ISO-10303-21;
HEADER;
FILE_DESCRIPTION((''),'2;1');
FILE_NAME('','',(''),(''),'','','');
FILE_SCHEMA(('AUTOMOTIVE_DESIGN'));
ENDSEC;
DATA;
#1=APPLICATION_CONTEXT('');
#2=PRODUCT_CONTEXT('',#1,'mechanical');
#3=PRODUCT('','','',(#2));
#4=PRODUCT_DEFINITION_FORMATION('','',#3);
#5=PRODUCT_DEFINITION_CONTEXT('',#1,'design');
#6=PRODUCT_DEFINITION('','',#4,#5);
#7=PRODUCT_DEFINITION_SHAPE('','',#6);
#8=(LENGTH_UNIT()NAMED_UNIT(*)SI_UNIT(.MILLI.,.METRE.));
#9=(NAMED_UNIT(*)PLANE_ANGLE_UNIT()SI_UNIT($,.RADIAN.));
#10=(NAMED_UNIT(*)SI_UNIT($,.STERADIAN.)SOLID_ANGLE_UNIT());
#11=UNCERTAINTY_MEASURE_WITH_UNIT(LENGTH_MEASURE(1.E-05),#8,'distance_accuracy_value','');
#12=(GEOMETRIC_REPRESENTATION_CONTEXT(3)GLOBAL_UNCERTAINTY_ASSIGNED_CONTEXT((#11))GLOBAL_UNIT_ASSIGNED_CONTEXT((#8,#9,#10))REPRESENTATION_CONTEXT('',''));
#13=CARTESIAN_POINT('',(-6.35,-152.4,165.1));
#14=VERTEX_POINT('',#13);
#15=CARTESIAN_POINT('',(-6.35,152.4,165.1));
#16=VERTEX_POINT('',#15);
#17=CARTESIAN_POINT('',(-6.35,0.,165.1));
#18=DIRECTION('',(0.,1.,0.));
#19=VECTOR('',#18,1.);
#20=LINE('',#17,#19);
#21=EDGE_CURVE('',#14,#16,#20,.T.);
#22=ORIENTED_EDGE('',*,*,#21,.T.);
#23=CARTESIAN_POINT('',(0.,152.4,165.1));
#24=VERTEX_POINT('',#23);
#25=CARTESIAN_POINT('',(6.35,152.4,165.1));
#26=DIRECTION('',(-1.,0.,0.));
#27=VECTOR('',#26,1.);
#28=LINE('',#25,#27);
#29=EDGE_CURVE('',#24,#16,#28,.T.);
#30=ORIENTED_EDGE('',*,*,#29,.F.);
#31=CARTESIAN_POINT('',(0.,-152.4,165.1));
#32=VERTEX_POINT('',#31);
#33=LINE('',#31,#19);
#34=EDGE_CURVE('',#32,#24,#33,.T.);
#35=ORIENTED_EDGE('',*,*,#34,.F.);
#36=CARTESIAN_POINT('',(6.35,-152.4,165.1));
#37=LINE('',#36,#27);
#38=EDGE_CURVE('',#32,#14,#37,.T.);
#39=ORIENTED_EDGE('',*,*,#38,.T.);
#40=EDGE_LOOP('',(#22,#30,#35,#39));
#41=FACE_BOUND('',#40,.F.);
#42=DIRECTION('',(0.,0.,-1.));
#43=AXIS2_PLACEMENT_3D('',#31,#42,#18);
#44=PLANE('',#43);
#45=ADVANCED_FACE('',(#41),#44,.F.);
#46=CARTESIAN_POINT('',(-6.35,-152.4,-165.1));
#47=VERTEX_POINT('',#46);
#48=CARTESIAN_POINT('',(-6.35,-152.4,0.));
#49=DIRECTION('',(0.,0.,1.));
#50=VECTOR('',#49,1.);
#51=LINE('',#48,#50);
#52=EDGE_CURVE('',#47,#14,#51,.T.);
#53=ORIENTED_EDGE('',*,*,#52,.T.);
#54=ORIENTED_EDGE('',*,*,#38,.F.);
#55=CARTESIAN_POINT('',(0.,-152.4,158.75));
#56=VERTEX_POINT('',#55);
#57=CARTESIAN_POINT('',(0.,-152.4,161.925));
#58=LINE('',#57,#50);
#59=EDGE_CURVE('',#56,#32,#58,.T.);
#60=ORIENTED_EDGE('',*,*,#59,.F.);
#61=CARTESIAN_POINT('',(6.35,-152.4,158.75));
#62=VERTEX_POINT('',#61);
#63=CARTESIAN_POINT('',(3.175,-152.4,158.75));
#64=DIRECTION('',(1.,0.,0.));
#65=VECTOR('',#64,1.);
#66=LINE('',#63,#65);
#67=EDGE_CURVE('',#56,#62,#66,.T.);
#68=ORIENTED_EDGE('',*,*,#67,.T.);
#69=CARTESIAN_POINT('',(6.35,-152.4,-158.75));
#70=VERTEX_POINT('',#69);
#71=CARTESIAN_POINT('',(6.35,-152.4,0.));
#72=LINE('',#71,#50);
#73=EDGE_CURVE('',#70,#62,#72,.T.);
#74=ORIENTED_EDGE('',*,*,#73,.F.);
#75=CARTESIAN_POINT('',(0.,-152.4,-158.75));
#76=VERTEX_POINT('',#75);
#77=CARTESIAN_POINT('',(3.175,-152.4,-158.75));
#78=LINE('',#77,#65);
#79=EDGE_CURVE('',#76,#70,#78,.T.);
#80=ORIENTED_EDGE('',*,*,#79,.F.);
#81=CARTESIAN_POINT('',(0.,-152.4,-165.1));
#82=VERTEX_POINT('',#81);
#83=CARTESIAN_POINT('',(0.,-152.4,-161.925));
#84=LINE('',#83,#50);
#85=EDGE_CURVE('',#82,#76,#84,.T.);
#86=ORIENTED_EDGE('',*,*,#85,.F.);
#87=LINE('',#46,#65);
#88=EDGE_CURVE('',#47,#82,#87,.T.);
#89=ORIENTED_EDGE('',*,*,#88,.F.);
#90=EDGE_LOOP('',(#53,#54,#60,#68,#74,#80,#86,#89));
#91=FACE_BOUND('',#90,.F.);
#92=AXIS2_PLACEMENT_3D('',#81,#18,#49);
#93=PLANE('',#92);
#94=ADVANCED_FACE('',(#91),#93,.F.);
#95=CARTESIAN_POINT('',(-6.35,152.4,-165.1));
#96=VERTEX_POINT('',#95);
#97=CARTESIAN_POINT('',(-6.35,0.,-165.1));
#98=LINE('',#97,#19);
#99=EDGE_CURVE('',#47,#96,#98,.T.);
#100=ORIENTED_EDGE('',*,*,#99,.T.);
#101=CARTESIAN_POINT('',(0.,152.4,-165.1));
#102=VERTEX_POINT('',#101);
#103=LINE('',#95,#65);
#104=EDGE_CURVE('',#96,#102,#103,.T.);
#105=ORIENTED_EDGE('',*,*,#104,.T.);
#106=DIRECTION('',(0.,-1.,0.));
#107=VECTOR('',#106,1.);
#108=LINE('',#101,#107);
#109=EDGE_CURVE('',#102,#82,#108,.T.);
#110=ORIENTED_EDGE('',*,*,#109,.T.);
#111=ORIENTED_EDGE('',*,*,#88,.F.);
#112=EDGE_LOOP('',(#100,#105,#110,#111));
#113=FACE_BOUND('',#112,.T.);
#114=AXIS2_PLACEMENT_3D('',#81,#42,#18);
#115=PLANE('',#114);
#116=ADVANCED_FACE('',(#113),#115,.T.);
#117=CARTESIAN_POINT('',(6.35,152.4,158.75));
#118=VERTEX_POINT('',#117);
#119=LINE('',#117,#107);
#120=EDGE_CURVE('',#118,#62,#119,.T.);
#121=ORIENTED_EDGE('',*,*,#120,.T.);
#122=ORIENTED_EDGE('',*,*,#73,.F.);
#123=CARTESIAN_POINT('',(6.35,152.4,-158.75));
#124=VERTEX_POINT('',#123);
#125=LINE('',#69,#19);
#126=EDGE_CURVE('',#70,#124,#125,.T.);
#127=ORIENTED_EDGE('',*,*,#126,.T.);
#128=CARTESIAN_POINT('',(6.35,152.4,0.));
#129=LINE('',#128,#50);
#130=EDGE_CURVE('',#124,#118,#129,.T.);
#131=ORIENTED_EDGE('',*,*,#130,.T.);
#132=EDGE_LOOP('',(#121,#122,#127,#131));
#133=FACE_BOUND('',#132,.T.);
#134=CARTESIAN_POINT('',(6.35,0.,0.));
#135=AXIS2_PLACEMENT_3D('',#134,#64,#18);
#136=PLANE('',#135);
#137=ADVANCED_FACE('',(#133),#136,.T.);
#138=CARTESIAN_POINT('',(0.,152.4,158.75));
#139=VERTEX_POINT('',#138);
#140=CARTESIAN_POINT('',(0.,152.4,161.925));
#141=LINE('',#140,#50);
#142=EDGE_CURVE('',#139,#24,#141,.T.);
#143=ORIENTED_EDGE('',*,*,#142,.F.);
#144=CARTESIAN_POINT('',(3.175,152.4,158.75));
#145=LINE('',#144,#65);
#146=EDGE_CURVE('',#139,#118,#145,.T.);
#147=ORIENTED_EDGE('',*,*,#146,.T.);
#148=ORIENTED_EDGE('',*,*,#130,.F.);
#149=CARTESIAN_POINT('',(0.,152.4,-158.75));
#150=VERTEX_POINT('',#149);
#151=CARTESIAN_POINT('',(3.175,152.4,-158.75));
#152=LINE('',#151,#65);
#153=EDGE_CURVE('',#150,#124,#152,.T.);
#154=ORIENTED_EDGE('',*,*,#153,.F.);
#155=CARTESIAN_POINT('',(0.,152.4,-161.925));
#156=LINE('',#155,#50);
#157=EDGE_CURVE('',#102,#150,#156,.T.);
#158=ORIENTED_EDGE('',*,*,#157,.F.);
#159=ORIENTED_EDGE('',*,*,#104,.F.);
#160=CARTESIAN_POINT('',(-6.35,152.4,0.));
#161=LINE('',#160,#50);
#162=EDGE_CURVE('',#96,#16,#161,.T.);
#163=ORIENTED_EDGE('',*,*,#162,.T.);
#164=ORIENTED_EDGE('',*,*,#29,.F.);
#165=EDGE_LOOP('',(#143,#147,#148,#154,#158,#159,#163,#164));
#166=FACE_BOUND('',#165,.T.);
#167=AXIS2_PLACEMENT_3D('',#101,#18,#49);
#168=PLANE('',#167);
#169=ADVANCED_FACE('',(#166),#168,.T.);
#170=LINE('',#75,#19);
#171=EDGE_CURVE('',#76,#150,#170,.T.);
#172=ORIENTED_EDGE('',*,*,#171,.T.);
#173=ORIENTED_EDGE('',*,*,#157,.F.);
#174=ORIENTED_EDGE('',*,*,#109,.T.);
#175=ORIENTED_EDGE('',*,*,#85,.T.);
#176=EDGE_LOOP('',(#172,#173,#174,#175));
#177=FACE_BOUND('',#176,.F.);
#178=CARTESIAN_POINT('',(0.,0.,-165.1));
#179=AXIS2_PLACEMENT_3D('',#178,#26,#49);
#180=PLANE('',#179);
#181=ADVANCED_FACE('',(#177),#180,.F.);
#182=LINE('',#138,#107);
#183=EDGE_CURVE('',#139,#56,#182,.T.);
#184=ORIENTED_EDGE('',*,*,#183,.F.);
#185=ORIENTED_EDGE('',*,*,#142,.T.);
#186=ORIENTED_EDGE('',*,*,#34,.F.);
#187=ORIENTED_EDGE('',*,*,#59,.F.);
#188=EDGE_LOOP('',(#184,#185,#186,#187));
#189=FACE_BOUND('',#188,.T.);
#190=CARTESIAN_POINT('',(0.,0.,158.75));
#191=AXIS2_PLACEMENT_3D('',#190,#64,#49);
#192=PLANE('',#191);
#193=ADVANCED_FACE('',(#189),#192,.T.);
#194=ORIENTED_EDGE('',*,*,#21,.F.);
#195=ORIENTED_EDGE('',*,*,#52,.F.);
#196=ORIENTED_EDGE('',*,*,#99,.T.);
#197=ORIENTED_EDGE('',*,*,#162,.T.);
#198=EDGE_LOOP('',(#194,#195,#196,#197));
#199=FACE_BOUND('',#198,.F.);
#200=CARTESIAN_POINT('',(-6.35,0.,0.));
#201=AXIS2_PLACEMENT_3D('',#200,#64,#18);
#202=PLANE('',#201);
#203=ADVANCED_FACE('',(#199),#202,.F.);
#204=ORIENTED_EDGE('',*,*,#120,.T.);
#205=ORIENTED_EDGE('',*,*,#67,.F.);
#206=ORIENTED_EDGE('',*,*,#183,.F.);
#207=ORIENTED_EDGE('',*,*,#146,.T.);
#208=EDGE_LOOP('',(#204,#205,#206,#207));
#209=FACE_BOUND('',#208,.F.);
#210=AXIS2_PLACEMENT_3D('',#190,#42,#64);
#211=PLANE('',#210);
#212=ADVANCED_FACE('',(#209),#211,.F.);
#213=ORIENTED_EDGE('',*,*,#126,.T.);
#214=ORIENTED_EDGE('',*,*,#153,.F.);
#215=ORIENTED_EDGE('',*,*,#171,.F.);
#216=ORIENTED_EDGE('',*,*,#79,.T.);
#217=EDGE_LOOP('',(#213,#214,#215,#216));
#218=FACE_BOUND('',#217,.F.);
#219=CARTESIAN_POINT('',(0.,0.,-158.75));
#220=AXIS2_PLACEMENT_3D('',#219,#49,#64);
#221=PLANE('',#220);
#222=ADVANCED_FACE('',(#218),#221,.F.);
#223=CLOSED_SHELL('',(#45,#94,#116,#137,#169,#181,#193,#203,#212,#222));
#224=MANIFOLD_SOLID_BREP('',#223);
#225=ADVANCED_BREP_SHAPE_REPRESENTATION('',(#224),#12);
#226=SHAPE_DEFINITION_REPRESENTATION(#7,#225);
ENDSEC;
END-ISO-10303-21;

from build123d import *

# Parameters (mm, degrees)
F0_W     = 304.8
F0_H     = 330.2
F1_DEPTH = 6.35
F2_W     = 6.35
F2_H     = 6.35
F3_DEPTH = 152.4


with BuildPart() as f1:
    # F0 (on Right) → F1 (new body, symmetric)
    with BuildSketch(Plane.YZ):
        Rectangle(F0_W, F0_H)
    extrude(amount=F1_DEPTH, both=True)

    # F2 (on Front) → F3 (cut, symmetric)
    with BuildSketch(Plane.XZ):
        with Locations((3.175, -161.925)):
            Rectangle(F2_W, F2_H)
        with Locations((3.175, 161.925)):
            Rectangle(F2_W, F2_H)
    extrude(amount=F3_DEPTH, both=True, mode=Mode.SUBTRACT)


solid = f1.part
